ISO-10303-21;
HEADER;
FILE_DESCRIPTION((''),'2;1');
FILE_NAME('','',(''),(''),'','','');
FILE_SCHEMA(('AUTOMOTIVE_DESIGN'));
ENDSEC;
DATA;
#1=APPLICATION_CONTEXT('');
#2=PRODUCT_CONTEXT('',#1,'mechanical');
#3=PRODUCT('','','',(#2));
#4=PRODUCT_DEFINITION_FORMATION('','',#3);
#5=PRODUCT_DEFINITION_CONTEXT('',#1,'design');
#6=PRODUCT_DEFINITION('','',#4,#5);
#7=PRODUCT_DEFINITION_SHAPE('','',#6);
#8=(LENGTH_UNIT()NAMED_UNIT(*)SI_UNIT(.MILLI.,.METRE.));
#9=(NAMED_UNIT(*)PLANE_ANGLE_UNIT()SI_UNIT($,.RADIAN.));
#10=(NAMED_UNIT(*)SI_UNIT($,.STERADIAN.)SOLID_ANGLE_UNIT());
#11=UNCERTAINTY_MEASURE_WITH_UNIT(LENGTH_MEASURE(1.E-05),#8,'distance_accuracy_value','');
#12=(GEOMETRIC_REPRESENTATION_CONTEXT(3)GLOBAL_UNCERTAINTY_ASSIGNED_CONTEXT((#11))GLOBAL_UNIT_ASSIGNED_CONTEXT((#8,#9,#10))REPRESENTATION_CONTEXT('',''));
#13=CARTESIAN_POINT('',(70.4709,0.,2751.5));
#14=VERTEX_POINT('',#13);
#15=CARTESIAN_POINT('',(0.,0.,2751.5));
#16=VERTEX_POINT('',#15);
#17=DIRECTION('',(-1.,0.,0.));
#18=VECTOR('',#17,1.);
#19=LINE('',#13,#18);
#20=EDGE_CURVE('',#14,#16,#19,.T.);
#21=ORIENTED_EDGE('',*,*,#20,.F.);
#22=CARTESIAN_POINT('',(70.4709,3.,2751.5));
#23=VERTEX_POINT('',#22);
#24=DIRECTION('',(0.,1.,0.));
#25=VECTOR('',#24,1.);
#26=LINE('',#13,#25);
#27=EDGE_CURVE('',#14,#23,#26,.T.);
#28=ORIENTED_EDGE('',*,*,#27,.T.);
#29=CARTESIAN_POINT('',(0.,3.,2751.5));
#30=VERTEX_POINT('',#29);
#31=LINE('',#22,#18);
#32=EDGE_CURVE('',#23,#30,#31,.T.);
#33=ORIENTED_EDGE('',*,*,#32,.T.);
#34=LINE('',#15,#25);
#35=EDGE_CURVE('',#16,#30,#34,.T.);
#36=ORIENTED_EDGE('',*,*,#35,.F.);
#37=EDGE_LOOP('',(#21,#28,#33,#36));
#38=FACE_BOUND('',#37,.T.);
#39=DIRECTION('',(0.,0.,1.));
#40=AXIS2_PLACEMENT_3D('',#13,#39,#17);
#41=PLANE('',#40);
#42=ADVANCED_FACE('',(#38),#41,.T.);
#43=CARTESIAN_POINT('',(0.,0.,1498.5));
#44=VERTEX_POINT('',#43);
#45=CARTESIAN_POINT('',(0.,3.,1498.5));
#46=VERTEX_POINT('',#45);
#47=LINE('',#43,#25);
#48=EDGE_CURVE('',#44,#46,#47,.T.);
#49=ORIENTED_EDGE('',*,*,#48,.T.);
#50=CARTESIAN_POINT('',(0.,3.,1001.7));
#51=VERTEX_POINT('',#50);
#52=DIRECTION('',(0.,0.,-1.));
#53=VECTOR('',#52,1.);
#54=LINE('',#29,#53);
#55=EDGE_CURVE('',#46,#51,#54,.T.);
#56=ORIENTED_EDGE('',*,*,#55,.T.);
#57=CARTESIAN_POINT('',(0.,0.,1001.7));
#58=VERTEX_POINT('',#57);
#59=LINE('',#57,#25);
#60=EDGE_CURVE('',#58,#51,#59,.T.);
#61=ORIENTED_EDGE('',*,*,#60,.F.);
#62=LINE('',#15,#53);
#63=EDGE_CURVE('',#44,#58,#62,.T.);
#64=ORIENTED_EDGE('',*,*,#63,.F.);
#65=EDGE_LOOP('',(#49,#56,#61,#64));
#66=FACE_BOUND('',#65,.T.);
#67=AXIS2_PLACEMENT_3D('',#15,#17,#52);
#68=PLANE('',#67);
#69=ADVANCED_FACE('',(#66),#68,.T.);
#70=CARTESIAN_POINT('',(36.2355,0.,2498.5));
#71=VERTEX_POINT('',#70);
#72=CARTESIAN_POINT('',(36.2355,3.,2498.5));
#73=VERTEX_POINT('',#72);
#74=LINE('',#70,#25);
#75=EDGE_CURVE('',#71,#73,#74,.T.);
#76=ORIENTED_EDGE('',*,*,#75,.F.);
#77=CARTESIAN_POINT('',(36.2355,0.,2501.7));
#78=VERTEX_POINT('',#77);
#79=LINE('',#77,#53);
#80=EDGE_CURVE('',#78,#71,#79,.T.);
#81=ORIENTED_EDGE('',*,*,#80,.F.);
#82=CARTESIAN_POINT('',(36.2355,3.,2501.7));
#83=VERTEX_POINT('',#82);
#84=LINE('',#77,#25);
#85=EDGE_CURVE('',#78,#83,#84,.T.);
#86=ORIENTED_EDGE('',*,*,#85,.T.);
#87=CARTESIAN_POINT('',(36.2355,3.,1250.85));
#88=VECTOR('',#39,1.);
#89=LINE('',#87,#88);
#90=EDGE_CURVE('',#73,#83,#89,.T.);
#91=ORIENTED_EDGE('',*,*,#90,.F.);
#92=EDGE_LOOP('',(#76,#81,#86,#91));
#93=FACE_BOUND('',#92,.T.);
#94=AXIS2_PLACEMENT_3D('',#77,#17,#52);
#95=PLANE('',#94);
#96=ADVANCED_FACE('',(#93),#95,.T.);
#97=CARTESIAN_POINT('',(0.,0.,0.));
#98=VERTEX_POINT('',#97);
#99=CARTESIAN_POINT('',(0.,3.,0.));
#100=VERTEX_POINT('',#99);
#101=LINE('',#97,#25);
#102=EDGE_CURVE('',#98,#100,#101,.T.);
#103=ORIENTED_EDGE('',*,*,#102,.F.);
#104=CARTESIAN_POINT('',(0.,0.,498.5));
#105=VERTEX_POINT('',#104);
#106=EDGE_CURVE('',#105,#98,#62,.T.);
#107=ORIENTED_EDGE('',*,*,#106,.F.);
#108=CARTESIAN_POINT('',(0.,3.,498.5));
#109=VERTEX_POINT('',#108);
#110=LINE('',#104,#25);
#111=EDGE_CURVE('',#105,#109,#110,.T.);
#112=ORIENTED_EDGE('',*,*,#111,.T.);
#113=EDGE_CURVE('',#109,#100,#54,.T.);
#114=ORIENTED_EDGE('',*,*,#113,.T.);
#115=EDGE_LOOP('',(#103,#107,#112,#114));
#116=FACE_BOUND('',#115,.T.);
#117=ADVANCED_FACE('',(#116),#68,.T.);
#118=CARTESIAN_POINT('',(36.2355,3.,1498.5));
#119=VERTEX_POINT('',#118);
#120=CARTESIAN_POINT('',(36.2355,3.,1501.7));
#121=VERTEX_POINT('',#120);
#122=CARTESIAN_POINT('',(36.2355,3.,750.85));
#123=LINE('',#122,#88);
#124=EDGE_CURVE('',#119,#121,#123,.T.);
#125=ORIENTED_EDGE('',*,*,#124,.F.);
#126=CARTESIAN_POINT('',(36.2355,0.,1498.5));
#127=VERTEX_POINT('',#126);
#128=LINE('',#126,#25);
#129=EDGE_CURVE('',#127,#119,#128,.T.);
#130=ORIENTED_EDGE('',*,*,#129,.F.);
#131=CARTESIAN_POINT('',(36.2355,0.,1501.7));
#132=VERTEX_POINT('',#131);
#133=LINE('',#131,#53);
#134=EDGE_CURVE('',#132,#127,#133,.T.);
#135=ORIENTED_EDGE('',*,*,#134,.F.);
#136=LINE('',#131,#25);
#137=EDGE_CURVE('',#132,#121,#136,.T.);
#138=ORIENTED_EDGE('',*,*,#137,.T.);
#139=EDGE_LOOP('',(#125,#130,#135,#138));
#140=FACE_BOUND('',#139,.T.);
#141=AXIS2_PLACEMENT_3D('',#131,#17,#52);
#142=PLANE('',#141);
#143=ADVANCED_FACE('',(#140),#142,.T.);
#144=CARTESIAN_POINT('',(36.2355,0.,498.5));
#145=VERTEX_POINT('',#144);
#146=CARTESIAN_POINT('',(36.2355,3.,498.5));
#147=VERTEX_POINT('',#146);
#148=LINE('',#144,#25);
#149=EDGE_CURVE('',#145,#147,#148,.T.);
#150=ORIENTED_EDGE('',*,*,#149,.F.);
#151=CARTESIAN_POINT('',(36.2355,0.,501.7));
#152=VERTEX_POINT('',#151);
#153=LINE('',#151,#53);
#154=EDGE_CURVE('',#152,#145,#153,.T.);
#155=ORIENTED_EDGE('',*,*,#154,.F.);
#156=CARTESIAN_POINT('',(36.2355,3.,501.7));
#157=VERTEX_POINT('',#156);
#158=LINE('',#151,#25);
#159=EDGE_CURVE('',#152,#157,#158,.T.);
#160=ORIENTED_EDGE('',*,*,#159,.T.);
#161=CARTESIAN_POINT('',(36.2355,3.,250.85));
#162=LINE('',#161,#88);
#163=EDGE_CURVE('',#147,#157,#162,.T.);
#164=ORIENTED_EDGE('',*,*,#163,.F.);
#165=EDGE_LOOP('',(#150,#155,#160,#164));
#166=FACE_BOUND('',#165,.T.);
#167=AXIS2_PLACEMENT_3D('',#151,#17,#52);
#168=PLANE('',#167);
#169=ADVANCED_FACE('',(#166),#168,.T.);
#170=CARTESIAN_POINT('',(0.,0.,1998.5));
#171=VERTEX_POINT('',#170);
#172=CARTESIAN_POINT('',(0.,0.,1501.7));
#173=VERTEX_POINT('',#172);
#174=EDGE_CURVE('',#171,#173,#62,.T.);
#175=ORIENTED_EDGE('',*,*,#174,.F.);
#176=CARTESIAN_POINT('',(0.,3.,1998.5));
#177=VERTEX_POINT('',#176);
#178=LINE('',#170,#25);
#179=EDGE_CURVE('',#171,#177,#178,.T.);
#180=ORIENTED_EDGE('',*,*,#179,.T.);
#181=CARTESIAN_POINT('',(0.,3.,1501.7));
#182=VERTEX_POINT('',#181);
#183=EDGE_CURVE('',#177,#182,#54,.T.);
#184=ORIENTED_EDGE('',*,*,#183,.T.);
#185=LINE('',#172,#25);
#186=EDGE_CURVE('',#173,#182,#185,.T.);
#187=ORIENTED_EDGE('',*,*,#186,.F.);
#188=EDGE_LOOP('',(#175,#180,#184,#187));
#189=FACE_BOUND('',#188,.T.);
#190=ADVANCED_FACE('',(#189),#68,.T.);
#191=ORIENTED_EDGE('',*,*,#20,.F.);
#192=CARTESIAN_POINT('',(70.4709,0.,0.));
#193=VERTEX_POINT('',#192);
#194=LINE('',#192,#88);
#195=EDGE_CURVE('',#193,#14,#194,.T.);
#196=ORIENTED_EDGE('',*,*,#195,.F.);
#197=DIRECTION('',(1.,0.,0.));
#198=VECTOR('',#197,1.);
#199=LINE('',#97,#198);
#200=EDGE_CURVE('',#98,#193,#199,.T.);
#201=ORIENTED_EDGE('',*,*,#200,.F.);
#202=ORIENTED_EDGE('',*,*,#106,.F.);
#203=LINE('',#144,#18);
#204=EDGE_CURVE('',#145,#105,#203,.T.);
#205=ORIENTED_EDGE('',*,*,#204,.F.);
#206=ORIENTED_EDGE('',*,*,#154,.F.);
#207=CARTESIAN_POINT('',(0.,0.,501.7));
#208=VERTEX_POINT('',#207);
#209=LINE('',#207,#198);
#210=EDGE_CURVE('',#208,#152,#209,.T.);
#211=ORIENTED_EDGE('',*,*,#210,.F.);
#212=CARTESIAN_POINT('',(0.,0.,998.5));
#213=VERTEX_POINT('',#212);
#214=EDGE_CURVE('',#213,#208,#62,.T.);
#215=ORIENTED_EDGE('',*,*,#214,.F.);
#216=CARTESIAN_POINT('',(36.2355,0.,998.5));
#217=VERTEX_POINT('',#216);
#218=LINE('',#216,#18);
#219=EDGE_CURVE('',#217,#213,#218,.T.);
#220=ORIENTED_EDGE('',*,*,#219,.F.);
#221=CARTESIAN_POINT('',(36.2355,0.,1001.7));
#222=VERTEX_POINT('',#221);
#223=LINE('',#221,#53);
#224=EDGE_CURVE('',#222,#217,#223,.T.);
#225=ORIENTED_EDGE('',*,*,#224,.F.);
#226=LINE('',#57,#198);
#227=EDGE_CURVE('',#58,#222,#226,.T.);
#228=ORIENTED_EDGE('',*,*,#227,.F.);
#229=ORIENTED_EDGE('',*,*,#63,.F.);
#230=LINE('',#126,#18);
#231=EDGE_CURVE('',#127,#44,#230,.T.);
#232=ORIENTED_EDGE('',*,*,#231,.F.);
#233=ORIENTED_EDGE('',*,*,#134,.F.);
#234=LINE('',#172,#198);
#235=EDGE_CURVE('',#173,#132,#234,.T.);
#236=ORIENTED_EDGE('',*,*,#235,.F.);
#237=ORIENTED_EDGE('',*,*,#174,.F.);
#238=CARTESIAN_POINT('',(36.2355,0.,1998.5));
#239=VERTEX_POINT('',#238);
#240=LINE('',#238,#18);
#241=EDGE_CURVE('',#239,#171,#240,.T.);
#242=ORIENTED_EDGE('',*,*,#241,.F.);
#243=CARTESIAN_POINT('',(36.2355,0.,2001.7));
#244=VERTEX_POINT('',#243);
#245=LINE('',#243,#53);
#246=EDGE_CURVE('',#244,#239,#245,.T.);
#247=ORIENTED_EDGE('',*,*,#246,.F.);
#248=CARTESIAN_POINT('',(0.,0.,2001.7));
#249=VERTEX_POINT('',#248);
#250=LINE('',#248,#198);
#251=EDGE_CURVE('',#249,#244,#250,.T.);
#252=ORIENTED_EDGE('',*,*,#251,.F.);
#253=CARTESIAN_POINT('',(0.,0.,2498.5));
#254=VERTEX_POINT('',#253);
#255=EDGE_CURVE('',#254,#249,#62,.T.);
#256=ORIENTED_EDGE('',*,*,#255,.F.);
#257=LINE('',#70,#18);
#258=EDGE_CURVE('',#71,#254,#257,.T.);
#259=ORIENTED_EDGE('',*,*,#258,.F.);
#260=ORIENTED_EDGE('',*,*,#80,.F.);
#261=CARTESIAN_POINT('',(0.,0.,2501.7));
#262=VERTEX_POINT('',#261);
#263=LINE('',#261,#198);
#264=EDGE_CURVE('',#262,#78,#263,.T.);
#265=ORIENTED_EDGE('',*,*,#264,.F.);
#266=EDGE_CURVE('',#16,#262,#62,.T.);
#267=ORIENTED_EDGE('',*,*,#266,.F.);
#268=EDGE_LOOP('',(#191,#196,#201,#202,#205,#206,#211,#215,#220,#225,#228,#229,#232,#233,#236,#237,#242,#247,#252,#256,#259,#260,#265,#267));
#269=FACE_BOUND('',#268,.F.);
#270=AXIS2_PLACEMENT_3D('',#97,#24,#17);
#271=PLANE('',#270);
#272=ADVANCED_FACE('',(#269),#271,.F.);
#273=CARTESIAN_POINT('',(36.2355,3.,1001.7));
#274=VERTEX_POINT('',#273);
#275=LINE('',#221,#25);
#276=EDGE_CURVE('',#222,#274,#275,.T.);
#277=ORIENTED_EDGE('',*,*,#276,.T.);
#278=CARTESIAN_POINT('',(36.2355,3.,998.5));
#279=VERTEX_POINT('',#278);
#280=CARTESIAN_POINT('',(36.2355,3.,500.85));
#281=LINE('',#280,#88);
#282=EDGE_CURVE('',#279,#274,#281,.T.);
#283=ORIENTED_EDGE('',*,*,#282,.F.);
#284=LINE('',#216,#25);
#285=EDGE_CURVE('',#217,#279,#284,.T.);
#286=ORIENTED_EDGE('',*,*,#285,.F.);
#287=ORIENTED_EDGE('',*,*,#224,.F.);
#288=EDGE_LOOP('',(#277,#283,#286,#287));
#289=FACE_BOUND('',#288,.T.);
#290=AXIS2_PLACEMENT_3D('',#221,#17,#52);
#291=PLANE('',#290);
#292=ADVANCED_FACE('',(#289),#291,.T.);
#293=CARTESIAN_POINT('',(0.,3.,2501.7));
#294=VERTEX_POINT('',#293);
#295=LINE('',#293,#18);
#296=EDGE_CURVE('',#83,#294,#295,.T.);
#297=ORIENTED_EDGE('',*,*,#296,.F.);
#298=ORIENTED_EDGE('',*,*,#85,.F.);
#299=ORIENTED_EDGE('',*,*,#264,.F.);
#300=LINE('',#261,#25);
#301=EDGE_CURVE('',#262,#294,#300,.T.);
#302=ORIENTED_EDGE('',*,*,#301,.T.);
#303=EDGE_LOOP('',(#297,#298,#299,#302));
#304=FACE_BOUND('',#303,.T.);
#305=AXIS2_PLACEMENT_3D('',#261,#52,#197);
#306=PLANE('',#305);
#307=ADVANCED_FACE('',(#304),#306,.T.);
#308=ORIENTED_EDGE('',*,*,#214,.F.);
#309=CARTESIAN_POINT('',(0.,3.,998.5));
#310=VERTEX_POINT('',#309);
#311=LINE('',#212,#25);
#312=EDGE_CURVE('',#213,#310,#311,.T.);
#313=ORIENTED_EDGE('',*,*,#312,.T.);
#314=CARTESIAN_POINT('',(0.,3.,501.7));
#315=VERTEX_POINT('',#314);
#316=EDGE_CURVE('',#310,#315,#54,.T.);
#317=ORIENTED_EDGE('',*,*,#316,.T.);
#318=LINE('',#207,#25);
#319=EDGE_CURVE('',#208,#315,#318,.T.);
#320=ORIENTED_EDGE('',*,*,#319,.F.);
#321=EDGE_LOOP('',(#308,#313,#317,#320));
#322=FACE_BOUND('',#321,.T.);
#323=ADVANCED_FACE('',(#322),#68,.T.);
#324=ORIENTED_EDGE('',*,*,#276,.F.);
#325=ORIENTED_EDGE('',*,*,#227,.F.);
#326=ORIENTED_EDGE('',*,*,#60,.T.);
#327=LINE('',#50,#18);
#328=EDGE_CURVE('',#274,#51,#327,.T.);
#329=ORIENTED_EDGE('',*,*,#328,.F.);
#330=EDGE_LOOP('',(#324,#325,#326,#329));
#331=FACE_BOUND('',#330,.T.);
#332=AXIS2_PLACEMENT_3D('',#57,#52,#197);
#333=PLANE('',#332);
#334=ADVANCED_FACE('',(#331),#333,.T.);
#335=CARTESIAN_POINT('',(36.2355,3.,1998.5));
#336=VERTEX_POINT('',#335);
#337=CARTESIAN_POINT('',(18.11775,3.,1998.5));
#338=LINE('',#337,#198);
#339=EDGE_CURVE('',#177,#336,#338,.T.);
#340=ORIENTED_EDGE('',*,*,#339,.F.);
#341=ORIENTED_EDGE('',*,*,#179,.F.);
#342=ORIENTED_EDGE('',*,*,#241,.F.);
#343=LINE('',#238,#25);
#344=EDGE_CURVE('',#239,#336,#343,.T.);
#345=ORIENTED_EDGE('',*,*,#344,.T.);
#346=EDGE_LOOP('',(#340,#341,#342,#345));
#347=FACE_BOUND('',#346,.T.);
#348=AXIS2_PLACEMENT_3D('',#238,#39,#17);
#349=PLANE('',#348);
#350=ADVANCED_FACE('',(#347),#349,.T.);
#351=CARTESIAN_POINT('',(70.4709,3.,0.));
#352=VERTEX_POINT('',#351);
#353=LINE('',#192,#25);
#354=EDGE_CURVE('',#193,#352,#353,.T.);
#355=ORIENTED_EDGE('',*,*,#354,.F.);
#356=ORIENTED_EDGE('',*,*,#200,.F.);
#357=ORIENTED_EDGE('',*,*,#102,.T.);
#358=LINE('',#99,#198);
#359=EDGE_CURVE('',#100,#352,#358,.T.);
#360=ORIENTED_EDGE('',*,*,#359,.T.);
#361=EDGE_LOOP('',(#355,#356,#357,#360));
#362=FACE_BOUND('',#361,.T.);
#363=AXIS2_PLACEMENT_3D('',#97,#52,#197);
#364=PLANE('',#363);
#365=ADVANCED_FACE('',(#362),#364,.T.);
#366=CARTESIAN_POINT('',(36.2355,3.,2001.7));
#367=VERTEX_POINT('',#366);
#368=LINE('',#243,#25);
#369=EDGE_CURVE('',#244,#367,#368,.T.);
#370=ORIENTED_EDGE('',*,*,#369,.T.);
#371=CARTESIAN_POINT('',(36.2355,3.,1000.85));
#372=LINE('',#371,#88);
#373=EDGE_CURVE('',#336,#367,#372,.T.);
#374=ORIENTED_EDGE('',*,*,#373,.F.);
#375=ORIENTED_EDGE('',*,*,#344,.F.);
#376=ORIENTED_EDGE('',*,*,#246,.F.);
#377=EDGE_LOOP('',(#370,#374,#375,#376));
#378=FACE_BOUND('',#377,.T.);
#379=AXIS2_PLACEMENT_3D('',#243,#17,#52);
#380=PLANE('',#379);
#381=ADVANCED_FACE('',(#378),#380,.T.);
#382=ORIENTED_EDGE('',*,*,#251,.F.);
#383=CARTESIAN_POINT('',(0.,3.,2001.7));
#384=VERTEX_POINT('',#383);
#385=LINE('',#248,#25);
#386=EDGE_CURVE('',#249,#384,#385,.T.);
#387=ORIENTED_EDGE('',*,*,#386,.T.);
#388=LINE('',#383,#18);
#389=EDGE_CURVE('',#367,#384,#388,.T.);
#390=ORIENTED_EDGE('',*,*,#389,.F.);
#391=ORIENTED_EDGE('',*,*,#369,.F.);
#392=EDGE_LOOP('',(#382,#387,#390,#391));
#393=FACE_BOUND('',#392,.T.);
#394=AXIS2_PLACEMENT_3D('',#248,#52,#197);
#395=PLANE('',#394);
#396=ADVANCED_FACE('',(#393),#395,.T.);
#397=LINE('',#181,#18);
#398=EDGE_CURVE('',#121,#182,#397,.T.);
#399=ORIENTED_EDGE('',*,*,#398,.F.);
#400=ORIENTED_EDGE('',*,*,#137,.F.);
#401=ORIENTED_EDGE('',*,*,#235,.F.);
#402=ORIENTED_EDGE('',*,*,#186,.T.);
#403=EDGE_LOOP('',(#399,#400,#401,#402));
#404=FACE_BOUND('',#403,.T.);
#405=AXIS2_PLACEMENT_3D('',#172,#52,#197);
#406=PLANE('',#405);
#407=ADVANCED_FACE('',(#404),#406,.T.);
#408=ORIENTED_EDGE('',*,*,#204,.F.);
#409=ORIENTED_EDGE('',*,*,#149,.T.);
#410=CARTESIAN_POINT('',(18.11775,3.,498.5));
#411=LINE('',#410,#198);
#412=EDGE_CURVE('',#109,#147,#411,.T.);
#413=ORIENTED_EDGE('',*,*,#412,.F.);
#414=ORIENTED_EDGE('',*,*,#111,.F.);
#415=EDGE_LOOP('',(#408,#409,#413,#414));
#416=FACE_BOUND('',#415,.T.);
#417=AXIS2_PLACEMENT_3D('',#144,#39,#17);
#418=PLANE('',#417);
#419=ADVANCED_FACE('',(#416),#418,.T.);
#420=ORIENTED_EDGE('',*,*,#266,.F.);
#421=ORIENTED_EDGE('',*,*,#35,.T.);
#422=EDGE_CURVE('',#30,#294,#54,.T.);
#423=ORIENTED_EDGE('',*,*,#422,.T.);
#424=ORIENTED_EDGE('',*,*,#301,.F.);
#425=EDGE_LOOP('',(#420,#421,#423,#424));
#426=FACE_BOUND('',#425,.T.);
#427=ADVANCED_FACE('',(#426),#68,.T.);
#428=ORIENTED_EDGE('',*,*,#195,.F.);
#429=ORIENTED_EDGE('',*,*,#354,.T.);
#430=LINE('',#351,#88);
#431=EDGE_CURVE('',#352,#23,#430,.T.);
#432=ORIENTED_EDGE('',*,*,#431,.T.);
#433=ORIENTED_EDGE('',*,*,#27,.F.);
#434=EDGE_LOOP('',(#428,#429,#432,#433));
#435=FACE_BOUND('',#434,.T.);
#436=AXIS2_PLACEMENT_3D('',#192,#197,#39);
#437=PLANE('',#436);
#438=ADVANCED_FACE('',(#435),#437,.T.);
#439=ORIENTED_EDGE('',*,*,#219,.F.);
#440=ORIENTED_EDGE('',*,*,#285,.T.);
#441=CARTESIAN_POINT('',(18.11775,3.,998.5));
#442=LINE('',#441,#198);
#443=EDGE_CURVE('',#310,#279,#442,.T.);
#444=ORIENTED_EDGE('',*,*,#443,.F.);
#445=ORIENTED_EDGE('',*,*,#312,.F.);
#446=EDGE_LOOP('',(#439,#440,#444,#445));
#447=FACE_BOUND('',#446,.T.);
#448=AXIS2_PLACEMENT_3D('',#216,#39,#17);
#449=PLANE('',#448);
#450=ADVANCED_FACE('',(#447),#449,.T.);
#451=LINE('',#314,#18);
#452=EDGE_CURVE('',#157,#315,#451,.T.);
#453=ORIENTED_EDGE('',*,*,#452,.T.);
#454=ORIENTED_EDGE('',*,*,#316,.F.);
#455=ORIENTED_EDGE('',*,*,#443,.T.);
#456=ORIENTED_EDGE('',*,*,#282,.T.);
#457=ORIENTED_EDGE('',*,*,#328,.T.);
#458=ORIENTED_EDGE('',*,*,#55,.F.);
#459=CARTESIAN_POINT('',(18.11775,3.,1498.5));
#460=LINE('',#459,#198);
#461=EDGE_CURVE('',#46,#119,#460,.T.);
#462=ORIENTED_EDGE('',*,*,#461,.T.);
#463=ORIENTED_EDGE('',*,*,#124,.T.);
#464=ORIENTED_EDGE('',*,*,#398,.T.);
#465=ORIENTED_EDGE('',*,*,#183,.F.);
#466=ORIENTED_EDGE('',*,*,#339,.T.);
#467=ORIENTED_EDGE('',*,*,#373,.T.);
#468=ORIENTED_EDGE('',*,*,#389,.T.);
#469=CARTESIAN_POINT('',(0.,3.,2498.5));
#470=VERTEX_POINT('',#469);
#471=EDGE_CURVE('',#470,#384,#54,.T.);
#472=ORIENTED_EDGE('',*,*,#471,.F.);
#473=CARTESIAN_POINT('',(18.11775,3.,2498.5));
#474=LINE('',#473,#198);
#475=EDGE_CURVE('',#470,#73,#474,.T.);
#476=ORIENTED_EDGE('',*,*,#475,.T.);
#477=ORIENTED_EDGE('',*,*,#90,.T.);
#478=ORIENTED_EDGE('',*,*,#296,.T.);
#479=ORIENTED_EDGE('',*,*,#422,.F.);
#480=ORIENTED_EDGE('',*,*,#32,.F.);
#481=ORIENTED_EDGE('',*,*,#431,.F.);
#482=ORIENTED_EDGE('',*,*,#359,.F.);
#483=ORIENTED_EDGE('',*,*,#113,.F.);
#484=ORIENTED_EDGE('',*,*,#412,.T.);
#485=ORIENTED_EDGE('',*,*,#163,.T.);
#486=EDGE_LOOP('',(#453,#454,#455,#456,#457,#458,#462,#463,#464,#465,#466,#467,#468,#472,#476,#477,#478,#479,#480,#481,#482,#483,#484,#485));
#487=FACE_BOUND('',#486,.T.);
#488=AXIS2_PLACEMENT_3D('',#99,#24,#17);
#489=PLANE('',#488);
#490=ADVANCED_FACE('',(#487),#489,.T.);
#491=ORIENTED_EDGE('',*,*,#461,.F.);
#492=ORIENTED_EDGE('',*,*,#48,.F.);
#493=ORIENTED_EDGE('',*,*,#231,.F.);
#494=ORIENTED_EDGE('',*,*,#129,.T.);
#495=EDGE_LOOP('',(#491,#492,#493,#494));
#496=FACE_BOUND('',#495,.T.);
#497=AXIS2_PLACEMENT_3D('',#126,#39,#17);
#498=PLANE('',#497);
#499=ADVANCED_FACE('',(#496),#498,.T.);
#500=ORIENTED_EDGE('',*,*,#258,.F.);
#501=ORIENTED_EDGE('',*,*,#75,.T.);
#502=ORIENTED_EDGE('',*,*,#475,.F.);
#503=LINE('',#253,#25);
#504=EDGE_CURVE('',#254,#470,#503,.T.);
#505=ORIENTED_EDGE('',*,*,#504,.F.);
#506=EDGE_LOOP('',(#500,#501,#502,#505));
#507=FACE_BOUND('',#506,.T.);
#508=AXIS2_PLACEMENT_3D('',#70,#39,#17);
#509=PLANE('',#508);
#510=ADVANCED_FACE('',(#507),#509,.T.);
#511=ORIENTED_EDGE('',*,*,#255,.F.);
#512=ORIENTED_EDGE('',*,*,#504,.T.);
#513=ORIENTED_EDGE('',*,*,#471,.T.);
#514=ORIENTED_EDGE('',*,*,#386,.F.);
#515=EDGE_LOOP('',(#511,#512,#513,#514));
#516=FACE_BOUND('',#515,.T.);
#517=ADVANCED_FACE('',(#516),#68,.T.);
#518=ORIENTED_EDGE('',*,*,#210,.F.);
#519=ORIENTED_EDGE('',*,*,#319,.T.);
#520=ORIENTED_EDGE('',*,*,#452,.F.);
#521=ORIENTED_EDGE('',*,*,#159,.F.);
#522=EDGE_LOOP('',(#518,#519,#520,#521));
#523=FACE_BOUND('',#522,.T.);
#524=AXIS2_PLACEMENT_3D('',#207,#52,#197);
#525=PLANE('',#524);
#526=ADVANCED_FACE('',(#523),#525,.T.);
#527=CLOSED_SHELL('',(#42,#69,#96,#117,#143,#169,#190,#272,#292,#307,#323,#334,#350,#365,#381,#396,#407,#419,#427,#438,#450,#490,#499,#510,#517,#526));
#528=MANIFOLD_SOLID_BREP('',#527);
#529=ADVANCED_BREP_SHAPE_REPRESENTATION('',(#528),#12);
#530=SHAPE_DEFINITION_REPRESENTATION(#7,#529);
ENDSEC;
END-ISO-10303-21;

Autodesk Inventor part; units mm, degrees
ref_plane "YZ Plane" through (0, 0, 0) normal (1, 0, 0) x (0, 1, 0)
ref_plane "XZ Plane" through (0, 0, 0) normal (0, 1, 0) x (-1, 0, 0)
ref_plane "XY Plane" through (0, 0, 0) normal (0, 0, 1) x (1, 0, 0)
sketch "Sketch6" plane through (0, 0, 0) normal (0, 1, 0) x (-1, 0, 0)
  line L0 (0, 0) -> (-70.4709, 0)
  line L1 (-70.4709, 0) -> (-70.4709, 2751.5)
  line L2 (-70.4709, 2751.5) -> (0, 2751.5)
  line L3 (0, 2751.5) -> (0, 0)
  dimension "d26" = 70.4709
  dimension "d27" = 2751.5
extrude "Plate4" add sketch "Sketch6" along normal blind 3
sketch "Sketch7" plane through (0, 0, 0) normal (0, -1, 0) x (1, 0, 0)
  line L0 (0, 2751.5) -> (70.4709, 2751.5) projected
  line L1 (0, 0) -> (0, 2751.5) projected
  line L2 (70.4709, 0) -> (0, 0) projected
  line L3 (70.4709, 2751.5) -> (70.4709, 0) projected
  line L4 (0, 501.7) -> (36.2355, 501.7)
  line L5 (36.2355, 501.7) -> (36.2355, 498.5)
  line L6 (36.2355, 498.5) -> (0, 498.5)
  line L7 (0, 498.5) -> (0, 501.7)
  point P0 (0, 498.5)
  point P1 (0, 200)
  point P2 (46.4173, 200)
  point P3 (0, 498.5)
  dimension "d29" = 36.2355
  dimension "d30" = 3.2
  dimension "d31" = 498.5
extrude "Extrusion2" cut sketch "Sketch7" against normal through all contours L4 L5 L6 L1
pattern_linear "Rectangular Pattern1" count 5 spacing 500 along (0, 0, 1) of "Extrusion2"
equation "\"d26\" = Stringer3_deep"
equation "\"d28\" = Thickness"
equation "\"BendReliefWidth\" = Thickness"
equation "\"BendReliefDepth\" = 0.5 * Thickness"
equation "\"CornerReliefSize\" = 4 * Thickness"
equation "\"MinimumRemnant\" = 2 * Thickness"
equation "\"TransitionRadius\" = BendRadius"
equation "\"JacobiRadiusSize\" = BendRadius"
equation "\"GapSize\" = Thickness"
equation "\"Stringer3_deep\" = 70.470938"
equation "\"Thickness\" = 3"
equation "\"BendRadius\" = 5"
properties part number "BSH 043 stringer 3" material "09g2s"
